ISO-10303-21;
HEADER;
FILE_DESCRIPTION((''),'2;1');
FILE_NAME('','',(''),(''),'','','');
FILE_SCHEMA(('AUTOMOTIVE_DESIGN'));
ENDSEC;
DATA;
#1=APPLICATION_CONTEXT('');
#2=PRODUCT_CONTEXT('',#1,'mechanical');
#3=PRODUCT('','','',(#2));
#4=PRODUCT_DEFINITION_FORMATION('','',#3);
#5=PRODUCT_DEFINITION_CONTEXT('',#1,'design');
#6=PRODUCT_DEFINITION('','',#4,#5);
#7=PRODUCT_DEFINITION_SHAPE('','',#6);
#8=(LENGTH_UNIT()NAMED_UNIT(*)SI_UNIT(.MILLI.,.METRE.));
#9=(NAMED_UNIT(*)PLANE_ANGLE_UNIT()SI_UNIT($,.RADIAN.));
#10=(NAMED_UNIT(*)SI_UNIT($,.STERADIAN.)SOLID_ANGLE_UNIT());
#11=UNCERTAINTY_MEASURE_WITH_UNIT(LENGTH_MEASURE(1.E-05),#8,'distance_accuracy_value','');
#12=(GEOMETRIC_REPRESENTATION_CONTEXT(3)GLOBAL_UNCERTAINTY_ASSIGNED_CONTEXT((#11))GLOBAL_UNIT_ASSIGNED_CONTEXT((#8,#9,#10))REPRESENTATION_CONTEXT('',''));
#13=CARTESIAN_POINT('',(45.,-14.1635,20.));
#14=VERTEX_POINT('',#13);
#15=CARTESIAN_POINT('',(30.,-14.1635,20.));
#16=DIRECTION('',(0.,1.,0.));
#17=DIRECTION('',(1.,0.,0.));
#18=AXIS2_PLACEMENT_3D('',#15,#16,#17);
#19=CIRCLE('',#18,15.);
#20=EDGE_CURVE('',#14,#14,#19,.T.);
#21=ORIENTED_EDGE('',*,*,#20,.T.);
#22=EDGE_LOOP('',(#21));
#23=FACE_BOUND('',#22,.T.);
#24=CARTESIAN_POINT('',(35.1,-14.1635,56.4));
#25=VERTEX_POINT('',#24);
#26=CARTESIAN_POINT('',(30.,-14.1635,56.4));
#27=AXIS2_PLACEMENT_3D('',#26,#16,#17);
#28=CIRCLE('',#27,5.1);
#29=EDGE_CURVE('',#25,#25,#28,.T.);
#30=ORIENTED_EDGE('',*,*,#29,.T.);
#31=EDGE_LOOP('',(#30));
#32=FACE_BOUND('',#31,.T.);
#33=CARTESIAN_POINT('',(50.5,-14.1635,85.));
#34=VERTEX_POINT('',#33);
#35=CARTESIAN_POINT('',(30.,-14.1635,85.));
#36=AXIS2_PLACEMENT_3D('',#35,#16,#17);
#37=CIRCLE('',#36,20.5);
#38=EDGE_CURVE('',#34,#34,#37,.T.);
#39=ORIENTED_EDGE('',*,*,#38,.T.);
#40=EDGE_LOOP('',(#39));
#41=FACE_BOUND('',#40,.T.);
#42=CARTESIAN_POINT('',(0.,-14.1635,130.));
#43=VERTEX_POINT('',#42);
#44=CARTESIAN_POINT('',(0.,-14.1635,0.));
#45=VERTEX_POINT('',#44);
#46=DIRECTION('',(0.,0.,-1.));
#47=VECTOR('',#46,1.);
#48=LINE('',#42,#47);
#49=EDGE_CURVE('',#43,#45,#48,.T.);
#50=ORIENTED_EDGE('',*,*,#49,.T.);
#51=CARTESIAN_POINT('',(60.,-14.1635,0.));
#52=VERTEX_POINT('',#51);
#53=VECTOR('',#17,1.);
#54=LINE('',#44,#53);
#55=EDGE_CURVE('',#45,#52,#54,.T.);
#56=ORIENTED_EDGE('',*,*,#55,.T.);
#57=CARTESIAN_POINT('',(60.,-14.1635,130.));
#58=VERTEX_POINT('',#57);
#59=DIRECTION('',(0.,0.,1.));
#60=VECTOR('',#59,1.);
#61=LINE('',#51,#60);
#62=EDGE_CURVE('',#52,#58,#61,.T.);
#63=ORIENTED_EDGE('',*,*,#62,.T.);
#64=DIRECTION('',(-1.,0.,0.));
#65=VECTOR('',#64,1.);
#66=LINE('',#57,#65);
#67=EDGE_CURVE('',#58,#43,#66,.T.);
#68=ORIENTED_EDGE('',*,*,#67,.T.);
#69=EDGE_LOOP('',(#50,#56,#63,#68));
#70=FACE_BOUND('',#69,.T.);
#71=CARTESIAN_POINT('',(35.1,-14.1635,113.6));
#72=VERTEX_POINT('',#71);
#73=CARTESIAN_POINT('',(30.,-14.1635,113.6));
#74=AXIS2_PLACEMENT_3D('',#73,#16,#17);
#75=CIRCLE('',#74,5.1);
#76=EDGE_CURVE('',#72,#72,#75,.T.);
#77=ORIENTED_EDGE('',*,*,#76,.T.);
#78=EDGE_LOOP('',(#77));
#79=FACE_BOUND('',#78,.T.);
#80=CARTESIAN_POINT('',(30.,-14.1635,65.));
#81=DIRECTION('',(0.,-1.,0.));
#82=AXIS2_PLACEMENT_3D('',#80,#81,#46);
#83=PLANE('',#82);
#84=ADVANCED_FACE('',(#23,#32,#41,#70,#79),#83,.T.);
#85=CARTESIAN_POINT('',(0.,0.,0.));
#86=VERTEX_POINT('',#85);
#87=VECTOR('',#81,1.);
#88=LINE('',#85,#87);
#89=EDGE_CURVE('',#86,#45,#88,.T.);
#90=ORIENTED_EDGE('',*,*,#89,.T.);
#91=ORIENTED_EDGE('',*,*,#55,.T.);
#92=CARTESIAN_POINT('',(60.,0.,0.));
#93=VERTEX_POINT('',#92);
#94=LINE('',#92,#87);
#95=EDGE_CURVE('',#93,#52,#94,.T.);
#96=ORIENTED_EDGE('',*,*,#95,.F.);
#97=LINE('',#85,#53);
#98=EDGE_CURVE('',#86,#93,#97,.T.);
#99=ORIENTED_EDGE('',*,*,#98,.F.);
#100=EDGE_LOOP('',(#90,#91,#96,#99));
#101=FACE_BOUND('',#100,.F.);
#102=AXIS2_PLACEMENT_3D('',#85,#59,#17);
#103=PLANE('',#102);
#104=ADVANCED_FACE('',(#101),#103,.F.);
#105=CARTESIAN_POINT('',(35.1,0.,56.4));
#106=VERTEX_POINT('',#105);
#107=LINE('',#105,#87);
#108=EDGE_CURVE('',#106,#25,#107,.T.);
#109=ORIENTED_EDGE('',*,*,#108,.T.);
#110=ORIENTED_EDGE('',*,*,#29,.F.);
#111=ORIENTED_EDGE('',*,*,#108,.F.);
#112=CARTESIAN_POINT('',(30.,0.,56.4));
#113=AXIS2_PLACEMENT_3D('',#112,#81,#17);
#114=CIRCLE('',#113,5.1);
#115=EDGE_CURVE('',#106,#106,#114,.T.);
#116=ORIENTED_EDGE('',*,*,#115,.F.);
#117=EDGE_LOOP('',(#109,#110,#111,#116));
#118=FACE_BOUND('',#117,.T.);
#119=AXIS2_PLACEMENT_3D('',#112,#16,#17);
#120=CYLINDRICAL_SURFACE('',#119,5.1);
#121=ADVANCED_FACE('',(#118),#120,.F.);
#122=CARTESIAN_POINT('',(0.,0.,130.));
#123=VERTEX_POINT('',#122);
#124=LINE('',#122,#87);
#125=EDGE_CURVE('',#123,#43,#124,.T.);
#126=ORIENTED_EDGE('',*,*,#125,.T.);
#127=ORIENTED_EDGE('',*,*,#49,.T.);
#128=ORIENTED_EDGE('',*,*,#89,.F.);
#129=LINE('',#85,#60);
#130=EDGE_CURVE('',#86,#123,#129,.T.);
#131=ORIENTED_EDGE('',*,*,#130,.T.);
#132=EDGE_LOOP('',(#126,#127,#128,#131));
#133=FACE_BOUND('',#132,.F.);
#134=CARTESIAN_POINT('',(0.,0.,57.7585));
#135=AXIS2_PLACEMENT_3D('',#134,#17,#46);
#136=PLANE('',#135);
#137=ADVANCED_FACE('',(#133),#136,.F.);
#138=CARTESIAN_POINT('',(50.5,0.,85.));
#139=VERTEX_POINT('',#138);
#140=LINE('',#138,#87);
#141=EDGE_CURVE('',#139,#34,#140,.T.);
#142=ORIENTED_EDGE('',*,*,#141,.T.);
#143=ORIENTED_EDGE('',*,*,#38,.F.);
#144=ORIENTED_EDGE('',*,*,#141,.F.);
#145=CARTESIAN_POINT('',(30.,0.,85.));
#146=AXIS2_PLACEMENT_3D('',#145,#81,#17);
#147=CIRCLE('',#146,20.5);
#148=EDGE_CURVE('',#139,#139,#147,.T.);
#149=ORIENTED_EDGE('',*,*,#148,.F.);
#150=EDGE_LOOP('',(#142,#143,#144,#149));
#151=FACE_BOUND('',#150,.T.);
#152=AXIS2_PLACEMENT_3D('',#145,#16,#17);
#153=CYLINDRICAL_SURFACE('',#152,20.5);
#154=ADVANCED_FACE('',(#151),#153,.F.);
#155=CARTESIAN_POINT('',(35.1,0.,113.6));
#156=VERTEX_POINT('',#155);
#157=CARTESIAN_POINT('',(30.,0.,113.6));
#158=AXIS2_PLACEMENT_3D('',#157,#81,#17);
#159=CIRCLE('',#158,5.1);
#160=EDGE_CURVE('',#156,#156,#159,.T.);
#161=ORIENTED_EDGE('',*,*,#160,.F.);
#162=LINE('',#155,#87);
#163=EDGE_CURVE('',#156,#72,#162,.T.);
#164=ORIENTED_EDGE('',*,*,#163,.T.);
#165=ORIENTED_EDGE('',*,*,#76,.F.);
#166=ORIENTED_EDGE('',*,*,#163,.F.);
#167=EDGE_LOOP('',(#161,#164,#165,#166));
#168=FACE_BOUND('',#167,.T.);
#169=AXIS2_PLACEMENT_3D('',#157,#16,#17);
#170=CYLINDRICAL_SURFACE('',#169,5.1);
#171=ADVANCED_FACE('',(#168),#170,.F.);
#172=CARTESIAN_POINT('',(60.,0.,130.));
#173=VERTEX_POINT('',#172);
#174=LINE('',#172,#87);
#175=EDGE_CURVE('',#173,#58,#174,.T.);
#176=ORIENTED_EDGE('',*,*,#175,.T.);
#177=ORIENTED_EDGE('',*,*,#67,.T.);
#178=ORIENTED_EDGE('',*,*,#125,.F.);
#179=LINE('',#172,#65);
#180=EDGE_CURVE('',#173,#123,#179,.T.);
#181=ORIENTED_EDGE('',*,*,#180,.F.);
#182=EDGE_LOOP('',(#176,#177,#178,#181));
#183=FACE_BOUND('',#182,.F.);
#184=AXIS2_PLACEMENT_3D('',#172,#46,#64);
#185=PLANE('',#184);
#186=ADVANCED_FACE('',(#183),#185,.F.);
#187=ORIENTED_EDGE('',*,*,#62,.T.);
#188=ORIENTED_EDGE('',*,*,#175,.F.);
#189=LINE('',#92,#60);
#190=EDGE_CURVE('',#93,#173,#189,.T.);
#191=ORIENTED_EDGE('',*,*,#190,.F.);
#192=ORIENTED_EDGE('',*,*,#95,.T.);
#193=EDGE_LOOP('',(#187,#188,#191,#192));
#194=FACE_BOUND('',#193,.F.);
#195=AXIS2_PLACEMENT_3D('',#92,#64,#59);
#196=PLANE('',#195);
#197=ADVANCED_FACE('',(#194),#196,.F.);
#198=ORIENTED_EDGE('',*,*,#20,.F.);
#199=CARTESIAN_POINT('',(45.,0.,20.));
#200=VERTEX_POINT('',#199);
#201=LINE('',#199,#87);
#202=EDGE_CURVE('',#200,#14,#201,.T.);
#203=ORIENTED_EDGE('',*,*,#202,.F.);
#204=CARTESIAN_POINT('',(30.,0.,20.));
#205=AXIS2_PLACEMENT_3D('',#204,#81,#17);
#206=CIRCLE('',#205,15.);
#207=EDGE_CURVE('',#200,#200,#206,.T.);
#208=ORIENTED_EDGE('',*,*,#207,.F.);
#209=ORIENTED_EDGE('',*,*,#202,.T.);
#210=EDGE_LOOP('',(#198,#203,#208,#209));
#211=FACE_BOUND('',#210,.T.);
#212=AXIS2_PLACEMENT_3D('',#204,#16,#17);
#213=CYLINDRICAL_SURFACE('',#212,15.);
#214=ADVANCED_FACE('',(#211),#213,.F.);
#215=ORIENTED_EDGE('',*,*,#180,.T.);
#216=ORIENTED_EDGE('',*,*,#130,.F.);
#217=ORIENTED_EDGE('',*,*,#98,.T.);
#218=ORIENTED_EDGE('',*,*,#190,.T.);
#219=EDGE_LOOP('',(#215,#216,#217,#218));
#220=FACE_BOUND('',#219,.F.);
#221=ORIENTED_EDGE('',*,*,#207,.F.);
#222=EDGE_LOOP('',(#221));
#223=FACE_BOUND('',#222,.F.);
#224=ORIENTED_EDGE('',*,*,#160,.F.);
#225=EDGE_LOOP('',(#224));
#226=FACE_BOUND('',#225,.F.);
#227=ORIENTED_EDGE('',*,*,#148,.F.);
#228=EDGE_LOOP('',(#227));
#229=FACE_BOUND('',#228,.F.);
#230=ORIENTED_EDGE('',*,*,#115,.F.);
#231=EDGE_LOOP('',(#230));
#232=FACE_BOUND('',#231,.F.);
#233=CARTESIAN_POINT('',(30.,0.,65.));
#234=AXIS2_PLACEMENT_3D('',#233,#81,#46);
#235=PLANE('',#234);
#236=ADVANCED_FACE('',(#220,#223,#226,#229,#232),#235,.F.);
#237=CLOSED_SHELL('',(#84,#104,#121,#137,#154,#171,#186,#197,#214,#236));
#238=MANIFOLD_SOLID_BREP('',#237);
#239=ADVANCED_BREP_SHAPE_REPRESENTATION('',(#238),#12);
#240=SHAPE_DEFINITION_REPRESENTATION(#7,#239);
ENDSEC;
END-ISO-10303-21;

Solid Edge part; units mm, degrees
sketch "Sketch1" plane through (0, 0, 0) normal (0, -1, 0) x (1, 0, 0)
  line L0 (60, 0) -> (60, 130)
  line L1 (60, 130) -> (0, 130)
  line L2 (0, 130) -> (0, 57.7585)
  line L3 (0, 57.7585) -> (0, 0)
  line L4 (0, 0) -> (60, 0)
extrude "Protrusion1" add sketch "Sketch1" along normal blind 14.1635
sketch "Sketch2" plane through (0, 0, 0) normal (0, -1, 0) x (1, 0, 0)
  circle A0 centre (30, 113.6) radius 5.1
  circle A1 centre (30, 85) radius 20.5
  circle A2 centre (30, 56.4) radius 5.1
  circle A3 centre (30, 20) radius 15
  dimension "D1" = 130
  dimension "D2" = 60
  dimension "D3" = 30
  dimension "D4" = 30
  dimension "D5" = 28.6
  dimension "D6" = 30
  dimension "D7" = 28.6
  dimension "D8" = 45
  dimension "D9" = 30
  dimension "D10" = 20
extrude "ExtrudedCutout_1" cut sketch "Sketch2" along normal blind 65.8643
